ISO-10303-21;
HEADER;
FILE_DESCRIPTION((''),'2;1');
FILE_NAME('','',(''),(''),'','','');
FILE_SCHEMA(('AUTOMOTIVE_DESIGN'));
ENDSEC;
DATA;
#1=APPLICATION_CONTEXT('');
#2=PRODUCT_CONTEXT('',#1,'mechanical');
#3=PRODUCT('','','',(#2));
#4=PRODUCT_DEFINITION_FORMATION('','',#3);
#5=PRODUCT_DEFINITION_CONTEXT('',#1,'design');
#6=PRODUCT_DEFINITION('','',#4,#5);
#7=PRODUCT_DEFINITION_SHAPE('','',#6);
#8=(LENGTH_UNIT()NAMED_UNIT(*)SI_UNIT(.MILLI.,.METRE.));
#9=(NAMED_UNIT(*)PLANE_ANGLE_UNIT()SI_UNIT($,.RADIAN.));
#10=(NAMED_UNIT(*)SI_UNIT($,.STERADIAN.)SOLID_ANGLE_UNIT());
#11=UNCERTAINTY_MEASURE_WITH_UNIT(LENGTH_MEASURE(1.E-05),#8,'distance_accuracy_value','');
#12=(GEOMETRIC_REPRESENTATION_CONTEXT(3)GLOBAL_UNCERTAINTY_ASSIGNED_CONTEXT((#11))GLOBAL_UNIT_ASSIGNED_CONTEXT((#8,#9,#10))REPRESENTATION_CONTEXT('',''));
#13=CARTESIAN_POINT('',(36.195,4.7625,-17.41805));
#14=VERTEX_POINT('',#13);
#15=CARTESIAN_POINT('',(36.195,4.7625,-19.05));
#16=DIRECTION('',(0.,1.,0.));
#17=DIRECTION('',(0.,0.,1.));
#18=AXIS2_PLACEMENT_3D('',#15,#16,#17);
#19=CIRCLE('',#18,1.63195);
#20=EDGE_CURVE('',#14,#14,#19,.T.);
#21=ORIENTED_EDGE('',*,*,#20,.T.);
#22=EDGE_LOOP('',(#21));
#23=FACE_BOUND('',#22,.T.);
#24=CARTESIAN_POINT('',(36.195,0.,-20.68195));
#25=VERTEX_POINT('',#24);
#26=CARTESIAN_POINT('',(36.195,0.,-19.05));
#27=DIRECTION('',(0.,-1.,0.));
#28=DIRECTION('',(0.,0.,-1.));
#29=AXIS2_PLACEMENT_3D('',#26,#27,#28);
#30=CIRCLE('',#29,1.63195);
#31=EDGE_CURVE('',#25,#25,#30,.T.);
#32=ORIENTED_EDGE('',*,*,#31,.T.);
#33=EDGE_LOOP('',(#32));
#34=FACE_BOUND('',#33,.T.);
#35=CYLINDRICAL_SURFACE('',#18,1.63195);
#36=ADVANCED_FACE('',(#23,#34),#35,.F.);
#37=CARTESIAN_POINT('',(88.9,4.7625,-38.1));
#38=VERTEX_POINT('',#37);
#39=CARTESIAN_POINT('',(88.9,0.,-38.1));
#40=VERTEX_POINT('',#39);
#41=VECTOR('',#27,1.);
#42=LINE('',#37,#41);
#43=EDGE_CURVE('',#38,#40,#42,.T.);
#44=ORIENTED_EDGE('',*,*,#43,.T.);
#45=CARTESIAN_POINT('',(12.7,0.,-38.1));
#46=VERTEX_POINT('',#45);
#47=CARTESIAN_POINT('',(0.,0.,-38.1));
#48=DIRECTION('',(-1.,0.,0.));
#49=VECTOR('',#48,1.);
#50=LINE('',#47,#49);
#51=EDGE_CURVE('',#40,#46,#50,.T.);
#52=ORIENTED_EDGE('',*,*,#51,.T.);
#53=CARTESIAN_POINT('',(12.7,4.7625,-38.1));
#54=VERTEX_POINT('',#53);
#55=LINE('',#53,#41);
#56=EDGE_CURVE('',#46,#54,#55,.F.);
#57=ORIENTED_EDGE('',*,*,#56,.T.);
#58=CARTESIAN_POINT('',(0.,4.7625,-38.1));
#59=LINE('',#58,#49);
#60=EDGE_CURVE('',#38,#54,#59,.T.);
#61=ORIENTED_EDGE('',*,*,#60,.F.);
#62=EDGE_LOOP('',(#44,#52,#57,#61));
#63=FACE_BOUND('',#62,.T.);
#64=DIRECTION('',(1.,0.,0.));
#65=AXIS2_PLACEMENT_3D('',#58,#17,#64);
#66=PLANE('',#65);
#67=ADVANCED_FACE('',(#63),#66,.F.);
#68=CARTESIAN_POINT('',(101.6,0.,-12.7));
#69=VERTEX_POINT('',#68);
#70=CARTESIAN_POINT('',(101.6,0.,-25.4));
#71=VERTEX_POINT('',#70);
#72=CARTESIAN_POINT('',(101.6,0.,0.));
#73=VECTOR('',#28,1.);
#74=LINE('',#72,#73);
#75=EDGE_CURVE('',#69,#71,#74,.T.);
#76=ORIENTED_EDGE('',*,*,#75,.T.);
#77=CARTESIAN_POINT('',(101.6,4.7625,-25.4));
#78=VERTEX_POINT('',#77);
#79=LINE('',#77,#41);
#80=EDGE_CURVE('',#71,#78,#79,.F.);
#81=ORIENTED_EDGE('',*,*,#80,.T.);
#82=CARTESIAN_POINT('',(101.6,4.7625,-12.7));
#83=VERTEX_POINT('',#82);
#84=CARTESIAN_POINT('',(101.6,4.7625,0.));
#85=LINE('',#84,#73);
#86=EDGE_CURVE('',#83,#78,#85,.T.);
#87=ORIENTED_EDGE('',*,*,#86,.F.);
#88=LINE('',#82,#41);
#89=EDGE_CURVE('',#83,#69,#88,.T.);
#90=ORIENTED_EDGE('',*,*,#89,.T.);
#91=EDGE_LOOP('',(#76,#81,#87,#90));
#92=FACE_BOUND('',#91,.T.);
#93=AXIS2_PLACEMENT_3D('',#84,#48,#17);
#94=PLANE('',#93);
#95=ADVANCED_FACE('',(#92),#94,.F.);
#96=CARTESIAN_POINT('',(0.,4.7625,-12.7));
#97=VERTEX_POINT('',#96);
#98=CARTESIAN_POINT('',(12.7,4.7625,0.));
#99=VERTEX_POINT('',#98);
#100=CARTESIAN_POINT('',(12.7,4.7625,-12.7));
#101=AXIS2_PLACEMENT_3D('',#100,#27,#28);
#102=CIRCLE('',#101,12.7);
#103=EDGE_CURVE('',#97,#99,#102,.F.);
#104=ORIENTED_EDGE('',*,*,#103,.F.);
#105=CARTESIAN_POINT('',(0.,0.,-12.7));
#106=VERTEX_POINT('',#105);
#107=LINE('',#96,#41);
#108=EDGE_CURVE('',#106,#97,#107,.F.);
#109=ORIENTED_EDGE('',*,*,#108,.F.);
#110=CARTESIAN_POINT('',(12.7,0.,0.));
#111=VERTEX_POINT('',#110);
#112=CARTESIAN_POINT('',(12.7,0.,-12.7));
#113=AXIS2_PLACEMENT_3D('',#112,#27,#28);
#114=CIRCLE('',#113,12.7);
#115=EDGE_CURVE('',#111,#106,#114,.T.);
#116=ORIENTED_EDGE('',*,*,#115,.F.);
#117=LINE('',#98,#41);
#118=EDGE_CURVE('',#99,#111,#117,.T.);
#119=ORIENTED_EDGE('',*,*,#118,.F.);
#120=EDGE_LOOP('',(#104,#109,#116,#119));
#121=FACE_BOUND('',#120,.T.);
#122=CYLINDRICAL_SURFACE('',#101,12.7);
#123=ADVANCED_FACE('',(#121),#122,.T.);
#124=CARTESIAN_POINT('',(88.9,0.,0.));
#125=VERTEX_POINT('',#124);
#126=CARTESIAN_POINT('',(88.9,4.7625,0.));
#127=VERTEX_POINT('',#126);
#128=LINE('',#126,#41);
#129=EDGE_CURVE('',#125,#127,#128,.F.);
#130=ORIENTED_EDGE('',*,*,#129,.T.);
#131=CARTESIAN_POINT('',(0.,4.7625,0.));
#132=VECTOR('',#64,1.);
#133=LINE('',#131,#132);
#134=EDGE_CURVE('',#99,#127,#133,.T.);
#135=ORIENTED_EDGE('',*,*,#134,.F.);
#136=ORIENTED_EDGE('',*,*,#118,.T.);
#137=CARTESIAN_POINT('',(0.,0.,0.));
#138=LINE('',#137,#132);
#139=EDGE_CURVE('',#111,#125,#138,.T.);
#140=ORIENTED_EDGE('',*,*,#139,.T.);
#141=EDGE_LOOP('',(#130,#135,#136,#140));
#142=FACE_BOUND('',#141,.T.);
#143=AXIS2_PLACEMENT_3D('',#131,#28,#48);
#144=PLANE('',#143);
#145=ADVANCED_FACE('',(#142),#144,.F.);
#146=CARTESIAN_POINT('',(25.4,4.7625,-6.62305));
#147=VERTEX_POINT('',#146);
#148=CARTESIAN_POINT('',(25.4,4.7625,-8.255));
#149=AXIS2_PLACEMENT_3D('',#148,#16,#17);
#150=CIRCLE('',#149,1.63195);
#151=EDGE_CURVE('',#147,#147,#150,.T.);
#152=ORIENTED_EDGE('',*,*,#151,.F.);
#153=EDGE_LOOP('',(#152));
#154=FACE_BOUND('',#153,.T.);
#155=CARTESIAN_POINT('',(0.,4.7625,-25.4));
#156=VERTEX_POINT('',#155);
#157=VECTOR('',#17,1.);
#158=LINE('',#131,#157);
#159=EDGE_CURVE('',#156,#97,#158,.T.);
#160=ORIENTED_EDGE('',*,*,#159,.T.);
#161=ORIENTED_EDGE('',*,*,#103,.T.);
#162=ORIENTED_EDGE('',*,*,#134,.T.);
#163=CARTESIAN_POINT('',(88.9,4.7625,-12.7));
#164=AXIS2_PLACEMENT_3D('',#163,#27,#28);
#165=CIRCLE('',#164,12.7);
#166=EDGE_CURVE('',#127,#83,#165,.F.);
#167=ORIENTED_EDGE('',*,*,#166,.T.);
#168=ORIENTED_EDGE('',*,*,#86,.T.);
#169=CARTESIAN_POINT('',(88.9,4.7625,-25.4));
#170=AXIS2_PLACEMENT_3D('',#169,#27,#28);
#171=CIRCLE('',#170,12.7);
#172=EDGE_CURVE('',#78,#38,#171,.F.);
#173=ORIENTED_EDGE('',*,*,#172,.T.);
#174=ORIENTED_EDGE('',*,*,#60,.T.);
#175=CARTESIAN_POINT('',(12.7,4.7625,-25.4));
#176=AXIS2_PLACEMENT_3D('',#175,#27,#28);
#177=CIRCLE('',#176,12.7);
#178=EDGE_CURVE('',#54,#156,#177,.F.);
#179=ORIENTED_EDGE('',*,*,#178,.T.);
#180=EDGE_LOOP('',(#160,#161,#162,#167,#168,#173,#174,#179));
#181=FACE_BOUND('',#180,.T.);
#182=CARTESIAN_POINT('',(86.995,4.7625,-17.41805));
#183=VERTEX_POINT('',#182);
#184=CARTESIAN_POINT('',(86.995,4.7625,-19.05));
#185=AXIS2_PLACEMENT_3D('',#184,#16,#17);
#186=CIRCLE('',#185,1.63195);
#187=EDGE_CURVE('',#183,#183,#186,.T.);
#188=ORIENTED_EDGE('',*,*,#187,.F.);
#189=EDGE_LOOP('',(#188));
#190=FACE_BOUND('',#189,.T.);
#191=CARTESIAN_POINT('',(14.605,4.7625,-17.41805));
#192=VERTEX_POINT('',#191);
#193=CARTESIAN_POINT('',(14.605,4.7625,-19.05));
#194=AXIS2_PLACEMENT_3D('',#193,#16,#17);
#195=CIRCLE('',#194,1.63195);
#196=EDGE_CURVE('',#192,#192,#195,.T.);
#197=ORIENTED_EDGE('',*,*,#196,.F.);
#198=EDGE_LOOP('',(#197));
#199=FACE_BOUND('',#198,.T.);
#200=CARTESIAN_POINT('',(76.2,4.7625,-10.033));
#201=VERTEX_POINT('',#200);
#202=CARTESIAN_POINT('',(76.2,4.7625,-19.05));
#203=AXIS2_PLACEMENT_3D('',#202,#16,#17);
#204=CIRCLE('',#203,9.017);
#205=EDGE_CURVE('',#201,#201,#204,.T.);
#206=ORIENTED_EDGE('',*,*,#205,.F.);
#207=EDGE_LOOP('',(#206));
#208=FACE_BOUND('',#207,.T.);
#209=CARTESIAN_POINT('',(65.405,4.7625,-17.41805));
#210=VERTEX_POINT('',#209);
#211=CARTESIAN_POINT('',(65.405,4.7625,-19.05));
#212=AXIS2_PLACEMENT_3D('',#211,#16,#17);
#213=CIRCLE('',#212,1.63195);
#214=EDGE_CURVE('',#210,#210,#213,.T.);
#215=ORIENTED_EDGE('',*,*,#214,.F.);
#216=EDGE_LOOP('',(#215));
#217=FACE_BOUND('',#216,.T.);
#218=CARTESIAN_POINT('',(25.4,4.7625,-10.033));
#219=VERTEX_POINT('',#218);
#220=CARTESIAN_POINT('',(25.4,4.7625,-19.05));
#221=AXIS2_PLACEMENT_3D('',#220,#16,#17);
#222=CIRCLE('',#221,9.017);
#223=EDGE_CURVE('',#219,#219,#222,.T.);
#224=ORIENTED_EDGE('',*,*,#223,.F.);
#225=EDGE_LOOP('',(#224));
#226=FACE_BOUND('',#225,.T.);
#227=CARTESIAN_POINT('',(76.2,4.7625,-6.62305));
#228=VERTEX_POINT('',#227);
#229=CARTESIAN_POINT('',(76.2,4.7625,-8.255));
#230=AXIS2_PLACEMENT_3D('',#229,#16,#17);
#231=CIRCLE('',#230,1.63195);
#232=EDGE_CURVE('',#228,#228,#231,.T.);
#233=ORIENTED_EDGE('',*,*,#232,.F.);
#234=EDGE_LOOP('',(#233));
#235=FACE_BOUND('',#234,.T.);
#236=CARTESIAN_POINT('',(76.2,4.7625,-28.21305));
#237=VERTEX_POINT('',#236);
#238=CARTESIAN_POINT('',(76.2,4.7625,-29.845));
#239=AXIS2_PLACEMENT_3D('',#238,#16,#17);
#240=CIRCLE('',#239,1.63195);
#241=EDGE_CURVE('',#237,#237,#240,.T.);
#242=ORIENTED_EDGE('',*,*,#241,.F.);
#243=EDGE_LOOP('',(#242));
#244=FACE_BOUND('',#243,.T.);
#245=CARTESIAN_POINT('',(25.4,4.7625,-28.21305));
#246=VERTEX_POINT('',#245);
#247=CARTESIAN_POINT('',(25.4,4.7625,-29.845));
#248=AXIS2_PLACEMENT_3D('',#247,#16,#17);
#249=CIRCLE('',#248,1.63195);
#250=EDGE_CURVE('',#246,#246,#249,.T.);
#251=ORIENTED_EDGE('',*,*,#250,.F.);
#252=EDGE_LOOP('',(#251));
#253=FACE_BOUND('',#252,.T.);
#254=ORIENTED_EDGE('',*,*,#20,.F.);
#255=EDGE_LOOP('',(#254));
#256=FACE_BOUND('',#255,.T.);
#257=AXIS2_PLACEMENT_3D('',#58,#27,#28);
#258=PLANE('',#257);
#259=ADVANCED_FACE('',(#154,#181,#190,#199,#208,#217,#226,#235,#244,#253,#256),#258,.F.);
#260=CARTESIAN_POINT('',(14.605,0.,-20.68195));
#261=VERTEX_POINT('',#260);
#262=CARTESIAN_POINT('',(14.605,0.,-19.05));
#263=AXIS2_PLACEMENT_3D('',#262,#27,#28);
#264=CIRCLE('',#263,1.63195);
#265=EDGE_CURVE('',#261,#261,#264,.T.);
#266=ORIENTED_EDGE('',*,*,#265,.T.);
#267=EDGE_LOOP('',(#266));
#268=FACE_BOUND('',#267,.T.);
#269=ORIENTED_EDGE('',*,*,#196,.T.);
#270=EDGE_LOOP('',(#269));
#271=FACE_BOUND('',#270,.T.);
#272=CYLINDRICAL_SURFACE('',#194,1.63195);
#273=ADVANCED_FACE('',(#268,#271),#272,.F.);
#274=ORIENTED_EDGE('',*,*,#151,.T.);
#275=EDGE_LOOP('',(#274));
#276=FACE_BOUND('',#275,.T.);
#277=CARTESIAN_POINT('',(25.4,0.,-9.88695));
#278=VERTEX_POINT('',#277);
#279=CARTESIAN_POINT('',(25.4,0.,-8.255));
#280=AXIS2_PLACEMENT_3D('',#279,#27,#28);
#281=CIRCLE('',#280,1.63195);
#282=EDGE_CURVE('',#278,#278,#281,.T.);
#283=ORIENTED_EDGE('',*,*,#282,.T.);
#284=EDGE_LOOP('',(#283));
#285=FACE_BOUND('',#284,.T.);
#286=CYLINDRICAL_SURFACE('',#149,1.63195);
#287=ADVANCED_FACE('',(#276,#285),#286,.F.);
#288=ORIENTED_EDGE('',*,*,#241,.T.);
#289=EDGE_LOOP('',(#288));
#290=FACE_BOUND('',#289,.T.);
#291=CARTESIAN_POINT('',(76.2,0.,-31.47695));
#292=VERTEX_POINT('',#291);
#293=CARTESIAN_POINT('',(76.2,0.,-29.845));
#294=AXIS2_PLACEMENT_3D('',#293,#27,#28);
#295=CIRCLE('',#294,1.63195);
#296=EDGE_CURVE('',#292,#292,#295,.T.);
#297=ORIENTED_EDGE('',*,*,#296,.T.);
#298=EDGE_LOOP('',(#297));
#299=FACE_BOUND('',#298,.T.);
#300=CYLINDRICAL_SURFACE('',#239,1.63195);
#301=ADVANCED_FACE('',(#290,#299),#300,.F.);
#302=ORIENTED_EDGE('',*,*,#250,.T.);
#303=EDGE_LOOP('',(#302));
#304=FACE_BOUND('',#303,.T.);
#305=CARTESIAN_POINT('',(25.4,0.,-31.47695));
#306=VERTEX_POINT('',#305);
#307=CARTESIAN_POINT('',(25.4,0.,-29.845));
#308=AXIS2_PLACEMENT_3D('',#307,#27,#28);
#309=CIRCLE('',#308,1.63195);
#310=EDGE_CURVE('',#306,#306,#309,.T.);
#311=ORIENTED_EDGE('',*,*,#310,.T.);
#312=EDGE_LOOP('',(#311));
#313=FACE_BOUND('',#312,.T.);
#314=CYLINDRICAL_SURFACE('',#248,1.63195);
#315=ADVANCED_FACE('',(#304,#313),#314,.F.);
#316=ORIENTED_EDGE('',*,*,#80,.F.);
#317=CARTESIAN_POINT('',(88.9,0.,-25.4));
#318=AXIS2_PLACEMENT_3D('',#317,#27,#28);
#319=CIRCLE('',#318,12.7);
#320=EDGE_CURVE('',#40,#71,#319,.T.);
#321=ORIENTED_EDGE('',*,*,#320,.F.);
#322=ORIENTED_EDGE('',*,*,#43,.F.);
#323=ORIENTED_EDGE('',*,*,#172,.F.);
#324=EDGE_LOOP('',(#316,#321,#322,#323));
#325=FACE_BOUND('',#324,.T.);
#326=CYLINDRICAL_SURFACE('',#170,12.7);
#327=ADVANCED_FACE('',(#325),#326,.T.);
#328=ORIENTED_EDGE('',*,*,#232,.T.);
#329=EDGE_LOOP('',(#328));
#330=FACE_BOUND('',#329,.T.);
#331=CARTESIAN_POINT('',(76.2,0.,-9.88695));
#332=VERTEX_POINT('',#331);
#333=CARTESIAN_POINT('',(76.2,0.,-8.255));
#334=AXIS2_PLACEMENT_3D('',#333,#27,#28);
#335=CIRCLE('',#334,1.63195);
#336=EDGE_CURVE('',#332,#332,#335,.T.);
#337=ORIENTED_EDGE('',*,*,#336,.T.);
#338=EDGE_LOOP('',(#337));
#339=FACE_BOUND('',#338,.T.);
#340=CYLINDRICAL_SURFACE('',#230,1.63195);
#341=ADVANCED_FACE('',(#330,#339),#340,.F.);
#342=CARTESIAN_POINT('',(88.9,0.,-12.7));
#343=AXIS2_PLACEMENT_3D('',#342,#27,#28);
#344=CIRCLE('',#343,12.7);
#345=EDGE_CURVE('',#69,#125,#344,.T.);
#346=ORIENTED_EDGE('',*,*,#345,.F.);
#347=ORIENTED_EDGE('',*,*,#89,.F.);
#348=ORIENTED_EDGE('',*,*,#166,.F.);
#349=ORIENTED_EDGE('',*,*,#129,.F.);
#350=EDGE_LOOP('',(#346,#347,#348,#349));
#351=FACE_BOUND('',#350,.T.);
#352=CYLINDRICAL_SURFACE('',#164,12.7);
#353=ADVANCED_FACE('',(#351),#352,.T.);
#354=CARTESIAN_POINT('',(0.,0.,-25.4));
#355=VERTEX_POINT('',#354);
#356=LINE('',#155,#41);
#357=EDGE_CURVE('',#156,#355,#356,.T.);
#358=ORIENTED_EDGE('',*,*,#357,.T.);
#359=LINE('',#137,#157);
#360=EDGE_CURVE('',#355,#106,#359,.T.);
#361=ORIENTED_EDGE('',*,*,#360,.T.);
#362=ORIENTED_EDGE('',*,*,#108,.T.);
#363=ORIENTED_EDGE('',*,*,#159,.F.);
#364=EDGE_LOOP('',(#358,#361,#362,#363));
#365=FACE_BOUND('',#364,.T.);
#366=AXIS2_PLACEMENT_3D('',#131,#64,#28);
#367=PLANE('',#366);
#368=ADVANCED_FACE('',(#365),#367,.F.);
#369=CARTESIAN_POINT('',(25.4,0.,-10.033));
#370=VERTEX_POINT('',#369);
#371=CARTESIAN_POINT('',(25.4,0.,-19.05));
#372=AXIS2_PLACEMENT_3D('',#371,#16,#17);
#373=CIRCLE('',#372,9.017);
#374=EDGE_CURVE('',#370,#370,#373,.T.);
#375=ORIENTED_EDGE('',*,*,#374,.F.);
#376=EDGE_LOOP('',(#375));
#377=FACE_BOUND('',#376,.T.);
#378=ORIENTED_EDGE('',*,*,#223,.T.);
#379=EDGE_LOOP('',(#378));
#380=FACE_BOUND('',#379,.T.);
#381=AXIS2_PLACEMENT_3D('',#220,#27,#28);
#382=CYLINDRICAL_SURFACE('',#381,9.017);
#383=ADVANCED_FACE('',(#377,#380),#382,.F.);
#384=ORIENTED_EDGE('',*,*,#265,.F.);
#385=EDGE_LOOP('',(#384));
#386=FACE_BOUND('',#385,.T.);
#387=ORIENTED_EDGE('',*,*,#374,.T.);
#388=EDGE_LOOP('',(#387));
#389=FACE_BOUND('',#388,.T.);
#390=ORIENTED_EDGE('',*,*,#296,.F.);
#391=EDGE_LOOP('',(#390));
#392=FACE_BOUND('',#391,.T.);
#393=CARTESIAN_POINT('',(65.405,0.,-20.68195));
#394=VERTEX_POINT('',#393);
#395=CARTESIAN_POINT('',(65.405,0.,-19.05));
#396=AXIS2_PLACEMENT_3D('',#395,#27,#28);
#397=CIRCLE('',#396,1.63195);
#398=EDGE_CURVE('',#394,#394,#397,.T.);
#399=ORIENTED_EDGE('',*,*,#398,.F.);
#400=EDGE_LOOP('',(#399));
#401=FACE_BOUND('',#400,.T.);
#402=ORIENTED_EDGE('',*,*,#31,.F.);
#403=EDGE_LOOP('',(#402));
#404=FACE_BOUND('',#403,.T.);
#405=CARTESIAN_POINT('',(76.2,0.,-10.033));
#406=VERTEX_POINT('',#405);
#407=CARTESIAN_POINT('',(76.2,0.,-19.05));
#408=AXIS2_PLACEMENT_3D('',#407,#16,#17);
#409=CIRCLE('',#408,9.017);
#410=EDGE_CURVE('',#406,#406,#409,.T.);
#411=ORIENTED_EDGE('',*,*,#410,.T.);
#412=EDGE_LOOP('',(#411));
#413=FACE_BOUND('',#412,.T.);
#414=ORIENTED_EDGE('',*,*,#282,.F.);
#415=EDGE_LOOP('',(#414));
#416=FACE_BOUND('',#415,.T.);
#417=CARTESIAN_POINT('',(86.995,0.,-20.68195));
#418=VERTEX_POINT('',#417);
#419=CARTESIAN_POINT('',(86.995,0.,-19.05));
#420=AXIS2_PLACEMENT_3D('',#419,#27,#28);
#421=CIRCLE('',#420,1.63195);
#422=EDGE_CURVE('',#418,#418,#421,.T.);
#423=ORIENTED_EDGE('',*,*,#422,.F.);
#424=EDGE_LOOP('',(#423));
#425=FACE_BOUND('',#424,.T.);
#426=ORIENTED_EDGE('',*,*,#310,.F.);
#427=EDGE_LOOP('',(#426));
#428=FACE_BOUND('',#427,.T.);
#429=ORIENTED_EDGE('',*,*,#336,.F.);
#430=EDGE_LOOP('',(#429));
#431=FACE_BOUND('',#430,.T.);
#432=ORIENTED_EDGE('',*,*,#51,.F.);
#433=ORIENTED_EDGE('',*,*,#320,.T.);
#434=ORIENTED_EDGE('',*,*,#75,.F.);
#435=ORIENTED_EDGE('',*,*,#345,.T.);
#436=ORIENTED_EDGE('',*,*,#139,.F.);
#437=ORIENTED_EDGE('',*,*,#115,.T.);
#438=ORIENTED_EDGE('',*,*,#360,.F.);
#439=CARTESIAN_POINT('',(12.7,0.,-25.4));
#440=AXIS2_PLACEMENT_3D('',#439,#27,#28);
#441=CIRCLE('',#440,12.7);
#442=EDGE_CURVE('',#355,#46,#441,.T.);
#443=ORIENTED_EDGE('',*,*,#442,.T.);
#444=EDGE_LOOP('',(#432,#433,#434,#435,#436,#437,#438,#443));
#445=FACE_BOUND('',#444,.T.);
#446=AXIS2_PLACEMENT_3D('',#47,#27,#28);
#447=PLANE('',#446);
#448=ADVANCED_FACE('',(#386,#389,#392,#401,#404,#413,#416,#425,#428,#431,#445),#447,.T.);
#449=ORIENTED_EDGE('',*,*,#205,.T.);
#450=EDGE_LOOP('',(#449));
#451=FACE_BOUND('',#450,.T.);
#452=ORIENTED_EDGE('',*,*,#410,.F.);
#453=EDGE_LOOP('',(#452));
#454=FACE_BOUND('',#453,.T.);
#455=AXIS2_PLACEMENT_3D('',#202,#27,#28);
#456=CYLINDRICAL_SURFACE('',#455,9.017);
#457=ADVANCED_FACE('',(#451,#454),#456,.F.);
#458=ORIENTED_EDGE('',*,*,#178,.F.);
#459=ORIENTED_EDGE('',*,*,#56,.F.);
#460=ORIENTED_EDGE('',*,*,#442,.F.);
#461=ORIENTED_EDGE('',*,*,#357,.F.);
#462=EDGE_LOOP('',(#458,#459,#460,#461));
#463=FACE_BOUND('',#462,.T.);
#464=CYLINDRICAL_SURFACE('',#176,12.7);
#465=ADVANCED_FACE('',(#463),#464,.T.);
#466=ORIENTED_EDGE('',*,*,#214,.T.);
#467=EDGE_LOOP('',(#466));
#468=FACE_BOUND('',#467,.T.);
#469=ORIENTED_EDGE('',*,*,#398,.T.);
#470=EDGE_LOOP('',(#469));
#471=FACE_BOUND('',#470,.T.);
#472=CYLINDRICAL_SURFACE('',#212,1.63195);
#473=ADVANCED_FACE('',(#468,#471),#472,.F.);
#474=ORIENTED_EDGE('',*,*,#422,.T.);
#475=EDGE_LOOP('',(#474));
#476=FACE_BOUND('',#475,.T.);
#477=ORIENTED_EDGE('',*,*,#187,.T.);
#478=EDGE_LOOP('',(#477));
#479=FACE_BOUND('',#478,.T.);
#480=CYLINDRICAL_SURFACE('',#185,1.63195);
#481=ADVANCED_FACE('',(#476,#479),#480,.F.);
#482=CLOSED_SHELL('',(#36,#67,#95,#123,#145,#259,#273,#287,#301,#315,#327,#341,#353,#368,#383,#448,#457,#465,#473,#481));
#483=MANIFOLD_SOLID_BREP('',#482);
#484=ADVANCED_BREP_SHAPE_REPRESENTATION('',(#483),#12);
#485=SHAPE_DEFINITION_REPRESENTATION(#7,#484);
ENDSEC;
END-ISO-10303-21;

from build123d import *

# Parameters (mm, degrees)
SKETCH1_W                 = 101.6
SKETCH1_H                 = 38.1
SKETCH1_R                 = 9.017
BOSS_EXTRUDE1_DEPTH       = 4.7625
F_4_CLEARANCE_HOLE1_D     = 3.2639
F_4_CLEARANCE_HOLE1_DEPTH = 25.4
F_4_CLEARANCE_HOLE1_TIP   = 0.980574487
FILLET1_R                 = 12.7


with BuildPart() as part:
    # Sketch1 → Boss-Extrude1 (new body)
    with BuildSketch(Plane(origin=(0, 0, 0), x_dir=(1, 0, 0), z_dir=(0, 1, 0))):
        with Locations((50.8, 19.05)):
            Rectangle(SKETCH1_W, SKETCH1_H)
        with Locations((25.4, 19.05)):
            Circle(SKETCH1_R, mode=Mode.SUBTRACT)
        with Locations((76.2, 19.05)):
            Circle(SKETCH1_R, mode=Mode.SUBTRACT)
    extrude(amount=BOSS_EXTRUDE1_DEPTH)

    # #4 Clearance Hole1
    with Locations(Plane(origin=(0, 4.7625, 0), x_dir=(-1, 0, 0), z_dir=(0, 1, 0))):
        with Locations((-25.4, -29.845), (-36.195, -19.05), (-25.4, -8.255), (-14.605, -19.05), (-65.405, -19.05), (-76.2, -29.845), (-86.995, -19.05), (-76.2, -8.255)):
            Hole(F_4_CLEARANCE_HOLE1_D / 2, depth=F_4_CLEARANCE_HOLE1_DEPTH)
            with Locations((0, 0, -(F_4_CLEARANCE_HOLE1_DEPTH + F_4_CLEARANCE_HOLE1_TIP / 2))):  # 118° drill point
                Cone(0, F_4_CLEARANCE_HOLE1_D / 2, F_4_CLEARANCE_HOLE1_TIP, mode=Mode.SUBTRACT)

    # Fillet1
    fillet1_edges = [part.edges().sort_by_distance(p)[0] for p in [
        (0, 2.38125, -38.1),
        (101.6, 2.38125, -38.1),
        (101.6, 2.38125, 0),
        (0, 2.38125, 0),
    ]]
    fillet(fillet1_edges, radius=FILLET1_R)


solid = part.part
